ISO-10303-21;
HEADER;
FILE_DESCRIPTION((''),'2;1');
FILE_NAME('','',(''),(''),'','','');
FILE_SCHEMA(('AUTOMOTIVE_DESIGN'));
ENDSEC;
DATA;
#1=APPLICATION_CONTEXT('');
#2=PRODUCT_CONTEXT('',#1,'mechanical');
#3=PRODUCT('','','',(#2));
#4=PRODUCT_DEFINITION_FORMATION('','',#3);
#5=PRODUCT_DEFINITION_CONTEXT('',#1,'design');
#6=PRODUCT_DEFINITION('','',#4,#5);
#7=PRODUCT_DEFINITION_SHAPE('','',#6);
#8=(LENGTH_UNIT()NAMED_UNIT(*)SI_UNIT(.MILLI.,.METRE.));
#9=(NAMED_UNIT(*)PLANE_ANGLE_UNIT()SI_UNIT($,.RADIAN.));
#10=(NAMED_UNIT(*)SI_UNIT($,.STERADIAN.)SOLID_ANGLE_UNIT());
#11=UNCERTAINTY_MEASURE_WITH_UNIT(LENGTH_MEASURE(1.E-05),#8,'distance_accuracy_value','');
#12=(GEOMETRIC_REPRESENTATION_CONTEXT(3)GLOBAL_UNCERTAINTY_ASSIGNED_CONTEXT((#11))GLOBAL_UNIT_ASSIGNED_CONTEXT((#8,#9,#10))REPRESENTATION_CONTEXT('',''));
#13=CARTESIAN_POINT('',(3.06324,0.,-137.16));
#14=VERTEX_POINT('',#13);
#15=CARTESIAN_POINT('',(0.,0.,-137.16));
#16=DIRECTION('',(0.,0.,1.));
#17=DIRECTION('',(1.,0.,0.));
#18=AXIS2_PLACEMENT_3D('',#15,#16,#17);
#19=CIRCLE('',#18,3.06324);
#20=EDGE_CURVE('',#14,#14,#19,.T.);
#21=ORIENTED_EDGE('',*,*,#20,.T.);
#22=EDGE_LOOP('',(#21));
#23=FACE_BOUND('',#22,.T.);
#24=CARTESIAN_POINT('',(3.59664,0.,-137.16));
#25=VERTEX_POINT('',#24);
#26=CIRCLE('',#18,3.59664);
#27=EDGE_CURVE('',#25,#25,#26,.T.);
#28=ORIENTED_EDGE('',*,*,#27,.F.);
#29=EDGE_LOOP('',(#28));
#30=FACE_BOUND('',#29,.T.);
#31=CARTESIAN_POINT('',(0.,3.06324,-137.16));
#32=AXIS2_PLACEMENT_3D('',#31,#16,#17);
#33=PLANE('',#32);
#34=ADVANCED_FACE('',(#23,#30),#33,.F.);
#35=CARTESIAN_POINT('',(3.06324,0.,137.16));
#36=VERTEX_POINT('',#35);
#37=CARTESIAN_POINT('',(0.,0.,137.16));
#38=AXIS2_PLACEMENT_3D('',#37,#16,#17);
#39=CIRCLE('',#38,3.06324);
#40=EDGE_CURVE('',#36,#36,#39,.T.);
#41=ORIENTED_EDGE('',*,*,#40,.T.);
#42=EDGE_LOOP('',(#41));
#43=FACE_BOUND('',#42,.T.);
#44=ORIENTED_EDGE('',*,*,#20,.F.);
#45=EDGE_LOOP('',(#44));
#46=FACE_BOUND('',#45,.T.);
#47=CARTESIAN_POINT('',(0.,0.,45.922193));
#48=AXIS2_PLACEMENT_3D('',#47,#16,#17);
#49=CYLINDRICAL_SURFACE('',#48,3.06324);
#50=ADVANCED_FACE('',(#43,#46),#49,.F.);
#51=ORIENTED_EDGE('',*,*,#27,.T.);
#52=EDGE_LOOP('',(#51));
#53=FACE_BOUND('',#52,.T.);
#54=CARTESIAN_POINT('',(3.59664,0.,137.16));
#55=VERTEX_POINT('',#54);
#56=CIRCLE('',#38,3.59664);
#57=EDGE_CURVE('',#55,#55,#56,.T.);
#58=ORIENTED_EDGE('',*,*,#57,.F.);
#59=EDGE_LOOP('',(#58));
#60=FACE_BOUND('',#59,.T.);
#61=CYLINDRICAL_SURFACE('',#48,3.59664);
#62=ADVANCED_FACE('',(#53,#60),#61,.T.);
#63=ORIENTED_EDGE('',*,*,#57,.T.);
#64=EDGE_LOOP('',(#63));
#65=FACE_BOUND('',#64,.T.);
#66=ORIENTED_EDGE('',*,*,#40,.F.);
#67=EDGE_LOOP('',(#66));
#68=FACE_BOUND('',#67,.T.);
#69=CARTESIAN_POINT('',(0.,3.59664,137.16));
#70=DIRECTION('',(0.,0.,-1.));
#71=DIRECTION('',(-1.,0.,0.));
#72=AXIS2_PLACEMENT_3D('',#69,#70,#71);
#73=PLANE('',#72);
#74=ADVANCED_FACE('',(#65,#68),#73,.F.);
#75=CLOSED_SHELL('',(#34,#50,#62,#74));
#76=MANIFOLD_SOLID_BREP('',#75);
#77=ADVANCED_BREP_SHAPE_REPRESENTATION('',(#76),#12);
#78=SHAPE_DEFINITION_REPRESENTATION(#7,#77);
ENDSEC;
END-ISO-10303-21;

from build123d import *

# Parameters (mm, degrees)
SKETCH1_W    = 457.2
SKETCH1_H    = 0.889
SCALE1_SCALE = 0.6


with BuildPart() as part:
    # Sketch1 → Revolve1 (revolve)
    with BuildSketch(Plane(origin=(0, 0, 0), x_dir=(0, 0, -1), z_dir=(1, 0, 0)), mode=Mode.PRIVATE) as revolve1_sk:
        with Locations((0, 5.5499)):
            Rectangle(SKETCH1_W, SKETCH1_H)
    revolve(revolve1_sk.sketch.rotate(Axis((0, 0, 76.536987973), (0, 0, -1)), 90), axis=Axis((0, 0, 76.536987973), (0, 0, -1)))


with BuildPart() as part_1:
    # Scale1: scaled about (0, 0, 0)
    add(part.part.scale(SCALE1_SCALE))


solid = part_1.part
